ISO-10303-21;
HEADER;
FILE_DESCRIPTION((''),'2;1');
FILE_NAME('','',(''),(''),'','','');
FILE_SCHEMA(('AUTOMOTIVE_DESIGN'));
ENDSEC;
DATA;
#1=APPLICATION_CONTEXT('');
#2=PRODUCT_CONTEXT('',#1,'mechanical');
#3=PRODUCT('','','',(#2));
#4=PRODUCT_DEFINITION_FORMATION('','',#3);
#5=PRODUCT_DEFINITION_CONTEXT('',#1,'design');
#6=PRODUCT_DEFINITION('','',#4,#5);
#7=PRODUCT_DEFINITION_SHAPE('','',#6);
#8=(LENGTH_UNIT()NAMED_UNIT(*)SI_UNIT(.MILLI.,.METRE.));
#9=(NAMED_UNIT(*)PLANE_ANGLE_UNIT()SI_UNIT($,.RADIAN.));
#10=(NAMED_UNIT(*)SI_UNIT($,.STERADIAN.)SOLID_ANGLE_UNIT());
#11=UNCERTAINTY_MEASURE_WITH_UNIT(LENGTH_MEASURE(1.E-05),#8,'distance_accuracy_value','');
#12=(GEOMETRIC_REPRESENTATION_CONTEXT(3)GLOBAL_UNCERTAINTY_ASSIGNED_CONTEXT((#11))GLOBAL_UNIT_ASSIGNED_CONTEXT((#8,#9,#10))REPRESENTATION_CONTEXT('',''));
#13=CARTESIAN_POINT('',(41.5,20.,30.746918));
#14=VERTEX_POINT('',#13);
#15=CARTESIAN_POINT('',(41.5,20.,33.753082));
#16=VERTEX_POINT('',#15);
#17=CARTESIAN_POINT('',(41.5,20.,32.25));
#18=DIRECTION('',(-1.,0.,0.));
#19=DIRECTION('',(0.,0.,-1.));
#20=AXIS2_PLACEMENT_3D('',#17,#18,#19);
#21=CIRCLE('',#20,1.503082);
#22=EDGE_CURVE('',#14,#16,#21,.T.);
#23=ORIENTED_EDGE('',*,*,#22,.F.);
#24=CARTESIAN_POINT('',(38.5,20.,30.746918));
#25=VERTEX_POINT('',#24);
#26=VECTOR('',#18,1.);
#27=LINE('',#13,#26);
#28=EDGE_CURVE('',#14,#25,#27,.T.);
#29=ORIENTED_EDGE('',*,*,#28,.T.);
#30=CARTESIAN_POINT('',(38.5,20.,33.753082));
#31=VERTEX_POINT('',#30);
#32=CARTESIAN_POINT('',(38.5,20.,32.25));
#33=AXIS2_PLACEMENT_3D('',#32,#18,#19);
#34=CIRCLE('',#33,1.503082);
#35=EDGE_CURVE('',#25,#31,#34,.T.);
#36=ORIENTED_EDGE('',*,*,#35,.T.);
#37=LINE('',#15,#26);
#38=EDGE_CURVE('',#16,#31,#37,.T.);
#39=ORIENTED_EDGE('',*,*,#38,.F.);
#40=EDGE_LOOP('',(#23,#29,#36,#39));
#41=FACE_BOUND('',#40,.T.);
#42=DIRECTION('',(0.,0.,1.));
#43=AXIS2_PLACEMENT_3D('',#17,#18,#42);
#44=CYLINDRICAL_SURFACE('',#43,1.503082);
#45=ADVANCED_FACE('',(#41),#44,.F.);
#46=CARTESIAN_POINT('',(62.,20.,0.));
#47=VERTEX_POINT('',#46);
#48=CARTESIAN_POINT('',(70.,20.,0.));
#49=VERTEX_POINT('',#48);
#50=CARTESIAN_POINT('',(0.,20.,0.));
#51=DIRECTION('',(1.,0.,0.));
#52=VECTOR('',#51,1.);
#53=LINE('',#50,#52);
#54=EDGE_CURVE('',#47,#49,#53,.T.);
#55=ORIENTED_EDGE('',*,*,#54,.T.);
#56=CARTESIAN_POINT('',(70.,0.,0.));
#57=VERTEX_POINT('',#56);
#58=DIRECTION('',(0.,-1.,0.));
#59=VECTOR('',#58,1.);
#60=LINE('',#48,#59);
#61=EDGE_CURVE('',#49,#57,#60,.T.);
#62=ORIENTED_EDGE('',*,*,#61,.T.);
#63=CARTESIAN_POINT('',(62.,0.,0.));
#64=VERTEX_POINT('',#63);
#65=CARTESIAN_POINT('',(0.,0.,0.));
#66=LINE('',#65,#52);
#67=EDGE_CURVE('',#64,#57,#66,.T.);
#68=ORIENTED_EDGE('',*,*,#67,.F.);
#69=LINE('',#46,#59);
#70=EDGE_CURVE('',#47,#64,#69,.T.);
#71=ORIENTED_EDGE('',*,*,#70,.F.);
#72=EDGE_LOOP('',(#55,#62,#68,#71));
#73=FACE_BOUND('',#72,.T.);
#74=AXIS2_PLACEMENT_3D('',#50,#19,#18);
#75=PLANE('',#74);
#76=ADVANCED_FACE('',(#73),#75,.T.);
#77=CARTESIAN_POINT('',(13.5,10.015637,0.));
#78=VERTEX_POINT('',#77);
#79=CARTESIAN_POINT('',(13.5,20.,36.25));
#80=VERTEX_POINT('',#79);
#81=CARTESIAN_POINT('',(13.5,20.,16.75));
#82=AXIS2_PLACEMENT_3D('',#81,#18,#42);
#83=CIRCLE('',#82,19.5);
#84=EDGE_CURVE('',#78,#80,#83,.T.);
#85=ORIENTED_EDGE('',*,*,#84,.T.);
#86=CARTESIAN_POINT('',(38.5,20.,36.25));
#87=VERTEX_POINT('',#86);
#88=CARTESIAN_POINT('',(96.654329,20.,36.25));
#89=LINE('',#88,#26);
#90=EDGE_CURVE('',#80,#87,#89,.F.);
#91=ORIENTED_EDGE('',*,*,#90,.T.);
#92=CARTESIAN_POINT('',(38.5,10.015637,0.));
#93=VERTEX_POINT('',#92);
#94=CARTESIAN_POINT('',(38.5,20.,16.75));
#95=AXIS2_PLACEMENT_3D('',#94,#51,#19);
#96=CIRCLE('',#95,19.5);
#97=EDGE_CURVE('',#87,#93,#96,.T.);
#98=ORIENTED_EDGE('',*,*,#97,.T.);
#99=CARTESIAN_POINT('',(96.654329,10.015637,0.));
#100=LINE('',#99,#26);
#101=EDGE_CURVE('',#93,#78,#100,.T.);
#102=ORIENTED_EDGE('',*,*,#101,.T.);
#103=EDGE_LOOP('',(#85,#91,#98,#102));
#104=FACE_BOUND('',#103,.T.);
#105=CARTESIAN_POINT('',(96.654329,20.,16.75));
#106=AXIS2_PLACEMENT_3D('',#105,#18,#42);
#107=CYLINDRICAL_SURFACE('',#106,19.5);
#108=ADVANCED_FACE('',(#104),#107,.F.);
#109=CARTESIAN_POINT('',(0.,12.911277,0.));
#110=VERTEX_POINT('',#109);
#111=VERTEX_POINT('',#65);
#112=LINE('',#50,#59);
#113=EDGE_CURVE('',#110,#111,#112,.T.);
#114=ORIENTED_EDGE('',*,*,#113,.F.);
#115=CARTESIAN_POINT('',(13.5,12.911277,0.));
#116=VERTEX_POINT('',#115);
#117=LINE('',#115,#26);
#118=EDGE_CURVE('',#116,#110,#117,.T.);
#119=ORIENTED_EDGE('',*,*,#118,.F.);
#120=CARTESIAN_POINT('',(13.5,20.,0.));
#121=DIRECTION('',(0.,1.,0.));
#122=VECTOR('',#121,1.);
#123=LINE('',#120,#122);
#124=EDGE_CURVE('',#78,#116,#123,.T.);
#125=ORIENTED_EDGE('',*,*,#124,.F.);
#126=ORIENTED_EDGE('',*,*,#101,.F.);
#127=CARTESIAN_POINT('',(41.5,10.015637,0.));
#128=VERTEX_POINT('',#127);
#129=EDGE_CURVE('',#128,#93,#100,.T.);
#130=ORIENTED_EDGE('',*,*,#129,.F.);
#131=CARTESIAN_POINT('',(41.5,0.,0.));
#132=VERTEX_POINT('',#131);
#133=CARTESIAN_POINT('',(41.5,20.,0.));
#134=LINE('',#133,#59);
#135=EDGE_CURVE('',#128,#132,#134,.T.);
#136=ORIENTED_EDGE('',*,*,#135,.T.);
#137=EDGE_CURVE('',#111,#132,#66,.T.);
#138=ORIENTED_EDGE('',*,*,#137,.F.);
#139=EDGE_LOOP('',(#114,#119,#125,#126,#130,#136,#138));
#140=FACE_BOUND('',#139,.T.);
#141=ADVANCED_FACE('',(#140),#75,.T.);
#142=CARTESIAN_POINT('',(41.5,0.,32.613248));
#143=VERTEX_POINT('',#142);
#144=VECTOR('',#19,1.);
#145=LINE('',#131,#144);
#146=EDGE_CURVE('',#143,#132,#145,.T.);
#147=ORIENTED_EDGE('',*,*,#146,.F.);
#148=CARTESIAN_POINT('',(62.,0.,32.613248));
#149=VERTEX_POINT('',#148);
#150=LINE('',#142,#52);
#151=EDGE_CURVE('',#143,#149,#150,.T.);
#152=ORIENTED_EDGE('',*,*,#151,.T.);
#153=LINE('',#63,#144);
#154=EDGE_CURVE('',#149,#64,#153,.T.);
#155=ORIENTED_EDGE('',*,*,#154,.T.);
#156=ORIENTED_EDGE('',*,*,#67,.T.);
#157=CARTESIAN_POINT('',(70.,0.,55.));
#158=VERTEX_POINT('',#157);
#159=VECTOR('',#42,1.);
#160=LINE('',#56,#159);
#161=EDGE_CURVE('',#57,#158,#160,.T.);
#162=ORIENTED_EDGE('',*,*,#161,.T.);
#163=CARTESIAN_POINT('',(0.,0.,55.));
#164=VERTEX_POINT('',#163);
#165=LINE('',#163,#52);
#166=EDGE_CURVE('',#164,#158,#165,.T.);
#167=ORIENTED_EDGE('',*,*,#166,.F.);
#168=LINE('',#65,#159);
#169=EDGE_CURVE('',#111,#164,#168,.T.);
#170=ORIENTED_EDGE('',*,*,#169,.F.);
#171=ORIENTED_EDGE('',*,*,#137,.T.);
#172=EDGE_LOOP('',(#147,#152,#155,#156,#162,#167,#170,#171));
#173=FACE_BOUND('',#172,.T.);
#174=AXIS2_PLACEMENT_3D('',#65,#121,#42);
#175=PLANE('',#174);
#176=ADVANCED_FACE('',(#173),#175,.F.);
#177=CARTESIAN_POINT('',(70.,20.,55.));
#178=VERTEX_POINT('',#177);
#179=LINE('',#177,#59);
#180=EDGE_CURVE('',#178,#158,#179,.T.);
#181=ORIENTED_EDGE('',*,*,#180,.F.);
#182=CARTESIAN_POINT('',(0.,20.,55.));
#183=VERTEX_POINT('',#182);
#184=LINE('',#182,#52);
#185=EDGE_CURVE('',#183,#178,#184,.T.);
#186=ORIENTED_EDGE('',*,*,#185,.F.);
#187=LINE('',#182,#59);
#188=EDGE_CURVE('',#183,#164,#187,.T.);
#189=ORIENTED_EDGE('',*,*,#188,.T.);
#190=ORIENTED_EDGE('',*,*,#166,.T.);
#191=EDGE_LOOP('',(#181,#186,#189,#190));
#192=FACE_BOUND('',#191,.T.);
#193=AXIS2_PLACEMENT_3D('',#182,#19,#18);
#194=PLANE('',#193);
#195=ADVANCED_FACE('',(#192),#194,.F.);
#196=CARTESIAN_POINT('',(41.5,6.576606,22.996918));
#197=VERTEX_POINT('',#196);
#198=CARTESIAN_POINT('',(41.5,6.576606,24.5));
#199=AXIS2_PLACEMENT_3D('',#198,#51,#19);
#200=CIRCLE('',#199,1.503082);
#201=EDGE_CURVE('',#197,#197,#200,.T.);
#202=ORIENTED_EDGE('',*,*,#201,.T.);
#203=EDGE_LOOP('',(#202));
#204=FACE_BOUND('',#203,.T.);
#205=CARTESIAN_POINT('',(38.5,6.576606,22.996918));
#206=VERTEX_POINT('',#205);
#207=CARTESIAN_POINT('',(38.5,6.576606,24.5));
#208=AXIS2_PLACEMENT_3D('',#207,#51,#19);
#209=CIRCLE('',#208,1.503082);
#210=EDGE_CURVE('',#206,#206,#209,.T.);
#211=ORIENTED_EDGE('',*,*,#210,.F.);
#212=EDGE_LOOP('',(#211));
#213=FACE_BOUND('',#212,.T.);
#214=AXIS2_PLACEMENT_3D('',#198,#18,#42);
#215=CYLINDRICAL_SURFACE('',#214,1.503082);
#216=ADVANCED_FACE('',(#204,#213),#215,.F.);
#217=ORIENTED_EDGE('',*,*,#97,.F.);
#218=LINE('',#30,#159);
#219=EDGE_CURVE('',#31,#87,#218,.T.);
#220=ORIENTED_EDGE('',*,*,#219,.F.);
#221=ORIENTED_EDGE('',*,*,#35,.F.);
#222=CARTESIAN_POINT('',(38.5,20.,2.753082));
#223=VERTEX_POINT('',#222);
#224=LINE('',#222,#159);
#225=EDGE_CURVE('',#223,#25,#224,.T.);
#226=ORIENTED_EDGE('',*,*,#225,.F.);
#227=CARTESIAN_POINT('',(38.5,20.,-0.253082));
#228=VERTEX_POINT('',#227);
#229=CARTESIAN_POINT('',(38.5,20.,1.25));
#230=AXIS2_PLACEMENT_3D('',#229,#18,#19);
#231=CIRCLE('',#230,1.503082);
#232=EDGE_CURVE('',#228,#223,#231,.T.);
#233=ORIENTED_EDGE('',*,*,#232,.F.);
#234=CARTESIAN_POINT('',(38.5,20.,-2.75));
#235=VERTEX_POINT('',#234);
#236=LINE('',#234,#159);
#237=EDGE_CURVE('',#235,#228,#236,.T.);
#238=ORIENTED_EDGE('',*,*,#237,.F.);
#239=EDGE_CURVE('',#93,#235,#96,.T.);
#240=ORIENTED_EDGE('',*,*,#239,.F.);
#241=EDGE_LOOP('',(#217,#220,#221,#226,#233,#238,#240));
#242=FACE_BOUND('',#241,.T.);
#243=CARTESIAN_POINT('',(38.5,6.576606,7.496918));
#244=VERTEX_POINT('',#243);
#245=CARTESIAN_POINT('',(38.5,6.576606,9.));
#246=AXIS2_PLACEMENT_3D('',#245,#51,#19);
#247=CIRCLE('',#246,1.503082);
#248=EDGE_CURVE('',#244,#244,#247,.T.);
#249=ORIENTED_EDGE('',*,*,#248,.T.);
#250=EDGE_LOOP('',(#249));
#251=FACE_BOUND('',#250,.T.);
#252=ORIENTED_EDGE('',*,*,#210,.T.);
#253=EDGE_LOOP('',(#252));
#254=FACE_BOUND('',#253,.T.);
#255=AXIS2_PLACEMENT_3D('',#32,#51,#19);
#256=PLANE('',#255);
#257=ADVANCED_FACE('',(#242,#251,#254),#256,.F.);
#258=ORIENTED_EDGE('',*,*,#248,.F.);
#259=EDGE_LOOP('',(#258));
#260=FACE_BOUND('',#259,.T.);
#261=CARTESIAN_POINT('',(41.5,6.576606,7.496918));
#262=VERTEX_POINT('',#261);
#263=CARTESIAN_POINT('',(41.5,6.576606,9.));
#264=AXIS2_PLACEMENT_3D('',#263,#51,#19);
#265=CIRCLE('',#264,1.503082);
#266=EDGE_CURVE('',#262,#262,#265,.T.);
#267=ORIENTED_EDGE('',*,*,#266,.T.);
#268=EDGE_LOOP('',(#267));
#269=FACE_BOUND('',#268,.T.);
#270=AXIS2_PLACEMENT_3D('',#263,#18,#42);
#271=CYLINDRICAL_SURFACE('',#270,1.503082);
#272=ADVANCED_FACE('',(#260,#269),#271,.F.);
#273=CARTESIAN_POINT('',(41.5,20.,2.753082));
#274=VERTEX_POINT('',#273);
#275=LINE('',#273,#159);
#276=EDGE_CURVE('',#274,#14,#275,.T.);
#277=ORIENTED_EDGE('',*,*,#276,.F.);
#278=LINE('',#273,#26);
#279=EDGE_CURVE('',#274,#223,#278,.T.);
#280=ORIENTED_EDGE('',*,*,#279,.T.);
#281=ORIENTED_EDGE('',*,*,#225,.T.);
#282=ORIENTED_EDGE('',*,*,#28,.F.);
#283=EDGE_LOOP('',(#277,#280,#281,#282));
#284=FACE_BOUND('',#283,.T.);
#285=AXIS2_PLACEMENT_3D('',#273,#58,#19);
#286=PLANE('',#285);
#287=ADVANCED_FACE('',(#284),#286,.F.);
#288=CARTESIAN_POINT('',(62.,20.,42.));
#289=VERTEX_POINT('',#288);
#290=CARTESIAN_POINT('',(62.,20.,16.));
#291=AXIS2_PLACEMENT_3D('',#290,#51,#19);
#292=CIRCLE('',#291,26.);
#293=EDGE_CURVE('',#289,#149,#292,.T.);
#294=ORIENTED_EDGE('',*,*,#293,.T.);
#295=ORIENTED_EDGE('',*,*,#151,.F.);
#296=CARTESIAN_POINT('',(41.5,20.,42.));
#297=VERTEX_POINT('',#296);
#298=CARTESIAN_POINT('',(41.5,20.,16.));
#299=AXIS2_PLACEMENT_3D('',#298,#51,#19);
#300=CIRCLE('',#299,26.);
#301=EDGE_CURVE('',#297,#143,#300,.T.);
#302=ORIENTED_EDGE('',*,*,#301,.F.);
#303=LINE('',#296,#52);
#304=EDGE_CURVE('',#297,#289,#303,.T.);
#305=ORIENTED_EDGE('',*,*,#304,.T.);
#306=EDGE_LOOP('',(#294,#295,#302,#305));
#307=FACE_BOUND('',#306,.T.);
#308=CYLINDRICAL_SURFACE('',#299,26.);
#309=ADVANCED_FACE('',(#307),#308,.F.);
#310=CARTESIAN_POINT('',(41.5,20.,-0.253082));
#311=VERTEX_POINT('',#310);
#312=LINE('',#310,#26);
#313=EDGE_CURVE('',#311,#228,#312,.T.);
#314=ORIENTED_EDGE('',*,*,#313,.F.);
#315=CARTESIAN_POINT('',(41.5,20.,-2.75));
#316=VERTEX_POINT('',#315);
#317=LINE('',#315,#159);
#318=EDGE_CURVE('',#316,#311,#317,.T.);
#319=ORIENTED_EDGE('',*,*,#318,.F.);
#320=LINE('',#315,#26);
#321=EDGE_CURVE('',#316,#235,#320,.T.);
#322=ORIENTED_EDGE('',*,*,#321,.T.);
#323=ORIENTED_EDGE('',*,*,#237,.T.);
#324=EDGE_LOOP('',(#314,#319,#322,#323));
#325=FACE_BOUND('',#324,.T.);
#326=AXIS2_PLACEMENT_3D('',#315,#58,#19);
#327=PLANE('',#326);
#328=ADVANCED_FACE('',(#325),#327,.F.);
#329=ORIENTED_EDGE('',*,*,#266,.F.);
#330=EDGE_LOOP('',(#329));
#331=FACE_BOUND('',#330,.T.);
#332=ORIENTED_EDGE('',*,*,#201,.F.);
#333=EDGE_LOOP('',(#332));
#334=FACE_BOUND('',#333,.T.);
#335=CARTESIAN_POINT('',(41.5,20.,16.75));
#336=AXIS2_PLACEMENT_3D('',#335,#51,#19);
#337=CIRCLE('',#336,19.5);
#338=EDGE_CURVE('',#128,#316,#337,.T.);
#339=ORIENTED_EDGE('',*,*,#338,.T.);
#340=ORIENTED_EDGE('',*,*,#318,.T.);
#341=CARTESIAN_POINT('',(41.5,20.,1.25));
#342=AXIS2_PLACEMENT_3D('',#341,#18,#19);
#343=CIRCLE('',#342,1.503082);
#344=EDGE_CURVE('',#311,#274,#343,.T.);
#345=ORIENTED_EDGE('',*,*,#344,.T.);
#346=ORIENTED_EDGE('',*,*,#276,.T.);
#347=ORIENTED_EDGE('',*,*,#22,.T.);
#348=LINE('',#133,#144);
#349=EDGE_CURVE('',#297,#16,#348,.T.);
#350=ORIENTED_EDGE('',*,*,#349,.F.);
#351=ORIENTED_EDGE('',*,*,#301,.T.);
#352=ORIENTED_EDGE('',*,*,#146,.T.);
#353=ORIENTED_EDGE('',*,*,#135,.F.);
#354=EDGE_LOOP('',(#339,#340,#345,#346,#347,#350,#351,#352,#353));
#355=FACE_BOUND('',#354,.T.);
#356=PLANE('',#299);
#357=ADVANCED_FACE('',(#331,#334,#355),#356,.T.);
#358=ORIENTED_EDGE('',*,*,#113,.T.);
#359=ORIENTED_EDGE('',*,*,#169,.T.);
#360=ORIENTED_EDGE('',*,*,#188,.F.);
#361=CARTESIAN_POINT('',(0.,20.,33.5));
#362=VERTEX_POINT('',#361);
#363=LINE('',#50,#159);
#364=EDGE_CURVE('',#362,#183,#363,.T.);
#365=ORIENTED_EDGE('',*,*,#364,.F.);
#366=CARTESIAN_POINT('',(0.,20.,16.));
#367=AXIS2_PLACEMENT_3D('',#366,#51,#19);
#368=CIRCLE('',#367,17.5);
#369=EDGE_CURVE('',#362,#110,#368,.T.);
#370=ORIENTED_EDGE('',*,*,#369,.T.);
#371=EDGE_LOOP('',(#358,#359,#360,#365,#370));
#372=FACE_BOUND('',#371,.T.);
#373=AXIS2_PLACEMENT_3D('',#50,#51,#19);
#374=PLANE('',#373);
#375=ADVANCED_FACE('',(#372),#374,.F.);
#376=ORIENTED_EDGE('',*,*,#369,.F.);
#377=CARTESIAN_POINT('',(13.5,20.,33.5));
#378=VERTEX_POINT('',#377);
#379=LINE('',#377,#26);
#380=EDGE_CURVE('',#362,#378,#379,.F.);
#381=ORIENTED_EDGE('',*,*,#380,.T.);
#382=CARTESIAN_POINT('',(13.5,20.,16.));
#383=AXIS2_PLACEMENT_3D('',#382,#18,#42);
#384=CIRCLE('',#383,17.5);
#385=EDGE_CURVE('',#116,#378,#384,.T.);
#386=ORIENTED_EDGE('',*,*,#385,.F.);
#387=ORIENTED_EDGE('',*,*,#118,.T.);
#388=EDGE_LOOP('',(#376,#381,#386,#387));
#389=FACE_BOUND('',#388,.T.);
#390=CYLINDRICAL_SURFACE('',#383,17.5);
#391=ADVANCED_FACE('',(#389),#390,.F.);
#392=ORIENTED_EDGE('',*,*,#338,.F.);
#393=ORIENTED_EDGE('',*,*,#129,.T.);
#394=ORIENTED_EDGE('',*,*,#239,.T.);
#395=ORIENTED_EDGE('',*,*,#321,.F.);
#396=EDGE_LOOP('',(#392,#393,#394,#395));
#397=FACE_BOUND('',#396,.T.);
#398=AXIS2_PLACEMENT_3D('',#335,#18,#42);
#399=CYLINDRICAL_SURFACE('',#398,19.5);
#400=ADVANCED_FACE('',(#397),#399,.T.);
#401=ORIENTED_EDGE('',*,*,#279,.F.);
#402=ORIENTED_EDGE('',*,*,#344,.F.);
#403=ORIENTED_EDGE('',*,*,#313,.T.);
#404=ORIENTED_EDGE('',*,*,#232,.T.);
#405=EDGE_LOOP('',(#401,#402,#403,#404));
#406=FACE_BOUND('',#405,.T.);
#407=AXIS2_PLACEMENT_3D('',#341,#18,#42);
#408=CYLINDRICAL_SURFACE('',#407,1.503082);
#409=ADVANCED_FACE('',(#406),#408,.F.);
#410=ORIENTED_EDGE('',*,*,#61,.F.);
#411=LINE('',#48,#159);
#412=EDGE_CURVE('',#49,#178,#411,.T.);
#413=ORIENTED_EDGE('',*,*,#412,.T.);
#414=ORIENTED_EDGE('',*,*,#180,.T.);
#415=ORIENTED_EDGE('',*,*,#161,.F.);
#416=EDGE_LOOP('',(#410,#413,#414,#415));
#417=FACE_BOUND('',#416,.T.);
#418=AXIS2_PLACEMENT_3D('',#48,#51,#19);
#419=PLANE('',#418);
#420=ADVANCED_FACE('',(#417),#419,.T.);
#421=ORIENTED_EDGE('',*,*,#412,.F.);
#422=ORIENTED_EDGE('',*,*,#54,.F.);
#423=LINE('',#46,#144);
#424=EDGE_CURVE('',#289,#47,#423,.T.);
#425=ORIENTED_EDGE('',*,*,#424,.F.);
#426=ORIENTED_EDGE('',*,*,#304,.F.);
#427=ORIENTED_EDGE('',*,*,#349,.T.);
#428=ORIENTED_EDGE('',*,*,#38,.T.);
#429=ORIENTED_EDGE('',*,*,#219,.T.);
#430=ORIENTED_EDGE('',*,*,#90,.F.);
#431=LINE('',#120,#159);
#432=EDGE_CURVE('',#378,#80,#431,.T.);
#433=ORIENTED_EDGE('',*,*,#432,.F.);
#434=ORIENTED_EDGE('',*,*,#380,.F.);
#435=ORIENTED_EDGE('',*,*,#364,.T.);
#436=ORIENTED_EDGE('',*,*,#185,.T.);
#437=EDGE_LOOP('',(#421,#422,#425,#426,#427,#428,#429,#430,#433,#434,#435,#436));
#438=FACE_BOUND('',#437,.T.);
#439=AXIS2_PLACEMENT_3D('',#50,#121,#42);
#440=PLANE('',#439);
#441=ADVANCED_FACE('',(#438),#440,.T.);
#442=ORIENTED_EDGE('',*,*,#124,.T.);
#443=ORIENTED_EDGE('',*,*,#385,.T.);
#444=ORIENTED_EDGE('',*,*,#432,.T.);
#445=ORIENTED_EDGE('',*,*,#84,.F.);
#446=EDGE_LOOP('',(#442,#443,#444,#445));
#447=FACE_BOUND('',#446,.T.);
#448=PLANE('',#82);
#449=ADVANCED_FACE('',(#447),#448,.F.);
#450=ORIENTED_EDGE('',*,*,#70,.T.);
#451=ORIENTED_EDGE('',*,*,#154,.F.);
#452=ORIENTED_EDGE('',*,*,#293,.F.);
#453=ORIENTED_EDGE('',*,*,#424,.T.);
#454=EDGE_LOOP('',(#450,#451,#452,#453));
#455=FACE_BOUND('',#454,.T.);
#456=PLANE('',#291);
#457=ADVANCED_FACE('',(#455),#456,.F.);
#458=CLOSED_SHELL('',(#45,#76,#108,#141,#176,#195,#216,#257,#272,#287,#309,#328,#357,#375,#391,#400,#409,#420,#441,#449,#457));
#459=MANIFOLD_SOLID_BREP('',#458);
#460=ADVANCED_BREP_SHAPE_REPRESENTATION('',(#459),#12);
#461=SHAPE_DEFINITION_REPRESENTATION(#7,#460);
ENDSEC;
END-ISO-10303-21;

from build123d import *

# Parameters (mm, degrees)
SKETCH1_W           = 70
SKETCH1_H           = 55
BOSS_EXTRUDE1_DEPTH = 20
SKETCH2_R           = 26
CUT_EXTRUDE1_DEPTH  = 20.5
SKETCH3_R           = 17.5
CUT_EXTRUDE2_DEPTH  = 13.5
SKETCH5_R           = 19.5
CUT_EXTRUDE3_DEPTH  = 28
SKETCH6_R           = 1.503081696
BOSS_EXTRUDE2_DEPTH = 3


with BuildPart() as part:
    # Sketch1 → Boss-Extrude1 (new body)
    with BuildSketch(Plane(origin=(0, 0, 0), x_dir=(1, 0, 0), z_dir=(0, 1, 0))):
        with Locations((35, -27.5)):
            Rectangle(SKETCH1_W, SKETCH1_H)
    extrude(amount=BOSS_EXTRUDE1_DEPTH)

    # Sketch2 → Cut-Extrude1 (cut)
    with BuildSketch(Plane(origin=(62, 0, 0), x_dir=(0, 0, -1), z_dir=(1, 0, 0))):
        with Locations((-16, 20)):
            Circle(SKETCH2_R)
    extrude(amount=-CUT_EXTRUDE1_DEPTH, mode=Mode.SUBTRACT)

    # Sketch3 → Cut-Extrude2 (cut)
    with BuildSketch(Plane.ZY):
        with Locations((16, 20)):
            Circle(SKETCH3_R)
    extrude(amount=-CUT_EXTRUDE2_DEPTH, mode=Mode.SUBTRACT)

    # Sketch5 → Cut-Extrude3 (cut)
    with BuildSketch(Plane.ZY.offset(-13.5)):
        with Locations((16.75, 20)):
            Circle(SKETCH5_R)
    extrude(amount=-CUT_EXTRUDE3_DEPTH, mode=Mode.SUBTRACT)

    # Sketch6 → Boss-Extrude2 (add)
    with BuildSketch(Plane(origin=(38.5, 0, 0), x_dir=(0, 0, -1), z_dir=(1, 0, 0))):
        with BuildLine():
            Line((2.75, 20), (0.253081696, 20))
            ThreePointArc((0.253081696, 20), (-1.25, 18.496918304), (-2.753081696, 20))
            Line((-2.753081696, 20), (-30.746918304, 20))
            ThreePointArc((-30.746918304, 20), (-32.25, 18.496918304), (-33.753081696, 20))
            Line((-33.753081696, 20), (-36.25, 20))
            ThreePointArc((-36.25, 20), (-16.75, 0.5), (2.75, 20))
        make_face()
        with Locations((-9, 6.576606241)):
            Circle(SKETCH6_R, mode=Mode.SUBTRACT)
        with Locations((-24.5, 6.576606241)):
            Circle(SKETCH6_R, mode=Mode.SUBTRACT)
    extrude(amount=BOSS_EXTRUDE2_DEPTH)


solid = part.part
